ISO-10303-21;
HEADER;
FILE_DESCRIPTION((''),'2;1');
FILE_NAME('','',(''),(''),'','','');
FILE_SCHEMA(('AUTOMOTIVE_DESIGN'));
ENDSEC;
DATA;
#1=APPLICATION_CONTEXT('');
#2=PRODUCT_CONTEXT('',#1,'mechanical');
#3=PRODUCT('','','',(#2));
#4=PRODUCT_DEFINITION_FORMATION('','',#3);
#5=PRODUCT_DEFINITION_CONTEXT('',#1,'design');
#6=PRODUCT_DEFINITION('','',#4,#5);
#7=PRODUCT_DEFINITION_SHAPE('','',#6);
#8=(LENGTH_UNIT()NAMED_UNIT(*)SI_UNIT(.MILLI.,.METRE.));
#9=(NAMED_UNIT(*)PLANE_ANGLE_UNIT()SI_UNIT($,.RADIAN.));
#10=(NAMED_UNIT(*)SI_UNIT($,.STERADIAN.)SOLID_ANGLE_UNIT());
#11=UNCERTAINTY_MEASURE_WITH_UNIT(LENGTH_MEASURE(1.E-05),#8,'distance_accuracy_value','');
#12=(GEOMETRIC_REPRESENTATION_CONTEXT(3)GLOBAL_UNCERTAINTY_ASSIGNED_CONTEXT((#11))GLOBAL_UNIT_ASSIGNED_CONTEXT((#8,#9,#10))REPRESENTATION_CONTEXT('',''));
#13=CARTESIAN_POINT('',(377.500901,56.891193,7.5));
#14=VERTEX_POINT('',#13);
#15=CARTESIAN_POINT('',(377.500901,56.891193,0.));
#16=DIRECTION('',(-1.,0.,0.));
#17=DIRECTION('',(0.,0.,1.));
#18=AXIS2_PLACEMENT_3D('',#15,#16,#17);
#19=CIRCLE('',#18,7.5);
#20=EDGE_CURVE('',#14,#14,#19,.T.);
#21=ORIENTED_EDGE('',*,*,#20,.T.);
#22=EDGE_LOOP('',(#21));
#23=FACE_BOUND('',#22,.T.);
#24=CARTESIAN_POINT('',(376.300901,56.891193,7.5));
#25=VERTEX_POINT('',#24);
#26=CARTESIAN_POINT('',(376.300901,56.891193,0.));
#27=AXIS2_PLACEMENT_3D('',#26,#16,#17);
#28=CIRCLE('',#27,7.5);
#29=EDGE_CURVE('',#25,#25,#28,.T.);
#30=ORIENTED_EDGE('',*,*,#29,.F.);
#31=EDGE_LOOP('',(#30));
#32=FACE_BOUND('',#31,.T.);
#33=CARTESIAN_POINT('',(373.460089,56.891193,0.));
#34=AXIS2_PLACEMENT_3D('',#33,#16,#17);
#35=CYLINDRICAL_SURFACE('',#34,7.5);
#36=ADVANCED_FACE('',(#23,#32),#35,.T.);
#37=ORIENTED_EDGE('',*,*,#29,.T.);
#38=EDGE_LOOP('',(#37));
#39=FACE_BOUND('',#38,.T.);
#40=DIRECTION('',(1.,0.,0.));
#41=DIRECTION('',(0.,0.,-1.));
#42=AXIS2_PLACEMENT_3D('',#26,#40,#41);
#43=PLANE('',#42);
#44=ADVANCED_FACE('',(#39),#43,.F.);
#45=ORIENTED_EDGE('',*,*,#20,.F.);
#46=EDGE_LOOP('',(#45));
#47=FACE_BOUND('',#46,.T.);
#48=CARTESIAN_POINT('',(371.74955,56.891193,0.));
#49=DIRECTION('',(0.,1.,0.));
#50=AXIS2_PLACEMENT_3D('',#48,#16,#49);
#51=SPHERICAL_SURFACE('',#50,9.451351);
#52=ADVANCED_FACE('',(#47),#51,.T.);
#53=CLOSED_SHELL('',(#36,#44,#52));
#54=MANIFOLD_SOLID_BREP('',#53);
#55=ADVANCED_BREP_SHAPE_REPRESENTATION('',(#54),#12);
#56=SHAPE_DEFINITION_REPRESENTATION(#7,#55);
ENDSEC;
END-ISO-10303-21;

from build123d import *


with BuildPart() as part:
    # 草图1 → 旋转1 (revolve)
    with BuildSketch(Plane.XY):
        with BuildLine():
            Line((376.300901326, 56.89119272), (376.300901326, 64.39119272))
            Line((376.300901326, 64.39119272), (377.500901326, 64.39119272))
            ThreePointArc((377.500901326, 64.39119272), (380.225577485, 61.072699626), (381.200901326, 56.89119272))
            Line((381.200901326, 56.89119272), (376.300901326, 56.89119272))
        make_face()
    revolve(axis=Axis((373.460089195, 56.89119272, 0), (1, 0, 0)))


solid = part.part
